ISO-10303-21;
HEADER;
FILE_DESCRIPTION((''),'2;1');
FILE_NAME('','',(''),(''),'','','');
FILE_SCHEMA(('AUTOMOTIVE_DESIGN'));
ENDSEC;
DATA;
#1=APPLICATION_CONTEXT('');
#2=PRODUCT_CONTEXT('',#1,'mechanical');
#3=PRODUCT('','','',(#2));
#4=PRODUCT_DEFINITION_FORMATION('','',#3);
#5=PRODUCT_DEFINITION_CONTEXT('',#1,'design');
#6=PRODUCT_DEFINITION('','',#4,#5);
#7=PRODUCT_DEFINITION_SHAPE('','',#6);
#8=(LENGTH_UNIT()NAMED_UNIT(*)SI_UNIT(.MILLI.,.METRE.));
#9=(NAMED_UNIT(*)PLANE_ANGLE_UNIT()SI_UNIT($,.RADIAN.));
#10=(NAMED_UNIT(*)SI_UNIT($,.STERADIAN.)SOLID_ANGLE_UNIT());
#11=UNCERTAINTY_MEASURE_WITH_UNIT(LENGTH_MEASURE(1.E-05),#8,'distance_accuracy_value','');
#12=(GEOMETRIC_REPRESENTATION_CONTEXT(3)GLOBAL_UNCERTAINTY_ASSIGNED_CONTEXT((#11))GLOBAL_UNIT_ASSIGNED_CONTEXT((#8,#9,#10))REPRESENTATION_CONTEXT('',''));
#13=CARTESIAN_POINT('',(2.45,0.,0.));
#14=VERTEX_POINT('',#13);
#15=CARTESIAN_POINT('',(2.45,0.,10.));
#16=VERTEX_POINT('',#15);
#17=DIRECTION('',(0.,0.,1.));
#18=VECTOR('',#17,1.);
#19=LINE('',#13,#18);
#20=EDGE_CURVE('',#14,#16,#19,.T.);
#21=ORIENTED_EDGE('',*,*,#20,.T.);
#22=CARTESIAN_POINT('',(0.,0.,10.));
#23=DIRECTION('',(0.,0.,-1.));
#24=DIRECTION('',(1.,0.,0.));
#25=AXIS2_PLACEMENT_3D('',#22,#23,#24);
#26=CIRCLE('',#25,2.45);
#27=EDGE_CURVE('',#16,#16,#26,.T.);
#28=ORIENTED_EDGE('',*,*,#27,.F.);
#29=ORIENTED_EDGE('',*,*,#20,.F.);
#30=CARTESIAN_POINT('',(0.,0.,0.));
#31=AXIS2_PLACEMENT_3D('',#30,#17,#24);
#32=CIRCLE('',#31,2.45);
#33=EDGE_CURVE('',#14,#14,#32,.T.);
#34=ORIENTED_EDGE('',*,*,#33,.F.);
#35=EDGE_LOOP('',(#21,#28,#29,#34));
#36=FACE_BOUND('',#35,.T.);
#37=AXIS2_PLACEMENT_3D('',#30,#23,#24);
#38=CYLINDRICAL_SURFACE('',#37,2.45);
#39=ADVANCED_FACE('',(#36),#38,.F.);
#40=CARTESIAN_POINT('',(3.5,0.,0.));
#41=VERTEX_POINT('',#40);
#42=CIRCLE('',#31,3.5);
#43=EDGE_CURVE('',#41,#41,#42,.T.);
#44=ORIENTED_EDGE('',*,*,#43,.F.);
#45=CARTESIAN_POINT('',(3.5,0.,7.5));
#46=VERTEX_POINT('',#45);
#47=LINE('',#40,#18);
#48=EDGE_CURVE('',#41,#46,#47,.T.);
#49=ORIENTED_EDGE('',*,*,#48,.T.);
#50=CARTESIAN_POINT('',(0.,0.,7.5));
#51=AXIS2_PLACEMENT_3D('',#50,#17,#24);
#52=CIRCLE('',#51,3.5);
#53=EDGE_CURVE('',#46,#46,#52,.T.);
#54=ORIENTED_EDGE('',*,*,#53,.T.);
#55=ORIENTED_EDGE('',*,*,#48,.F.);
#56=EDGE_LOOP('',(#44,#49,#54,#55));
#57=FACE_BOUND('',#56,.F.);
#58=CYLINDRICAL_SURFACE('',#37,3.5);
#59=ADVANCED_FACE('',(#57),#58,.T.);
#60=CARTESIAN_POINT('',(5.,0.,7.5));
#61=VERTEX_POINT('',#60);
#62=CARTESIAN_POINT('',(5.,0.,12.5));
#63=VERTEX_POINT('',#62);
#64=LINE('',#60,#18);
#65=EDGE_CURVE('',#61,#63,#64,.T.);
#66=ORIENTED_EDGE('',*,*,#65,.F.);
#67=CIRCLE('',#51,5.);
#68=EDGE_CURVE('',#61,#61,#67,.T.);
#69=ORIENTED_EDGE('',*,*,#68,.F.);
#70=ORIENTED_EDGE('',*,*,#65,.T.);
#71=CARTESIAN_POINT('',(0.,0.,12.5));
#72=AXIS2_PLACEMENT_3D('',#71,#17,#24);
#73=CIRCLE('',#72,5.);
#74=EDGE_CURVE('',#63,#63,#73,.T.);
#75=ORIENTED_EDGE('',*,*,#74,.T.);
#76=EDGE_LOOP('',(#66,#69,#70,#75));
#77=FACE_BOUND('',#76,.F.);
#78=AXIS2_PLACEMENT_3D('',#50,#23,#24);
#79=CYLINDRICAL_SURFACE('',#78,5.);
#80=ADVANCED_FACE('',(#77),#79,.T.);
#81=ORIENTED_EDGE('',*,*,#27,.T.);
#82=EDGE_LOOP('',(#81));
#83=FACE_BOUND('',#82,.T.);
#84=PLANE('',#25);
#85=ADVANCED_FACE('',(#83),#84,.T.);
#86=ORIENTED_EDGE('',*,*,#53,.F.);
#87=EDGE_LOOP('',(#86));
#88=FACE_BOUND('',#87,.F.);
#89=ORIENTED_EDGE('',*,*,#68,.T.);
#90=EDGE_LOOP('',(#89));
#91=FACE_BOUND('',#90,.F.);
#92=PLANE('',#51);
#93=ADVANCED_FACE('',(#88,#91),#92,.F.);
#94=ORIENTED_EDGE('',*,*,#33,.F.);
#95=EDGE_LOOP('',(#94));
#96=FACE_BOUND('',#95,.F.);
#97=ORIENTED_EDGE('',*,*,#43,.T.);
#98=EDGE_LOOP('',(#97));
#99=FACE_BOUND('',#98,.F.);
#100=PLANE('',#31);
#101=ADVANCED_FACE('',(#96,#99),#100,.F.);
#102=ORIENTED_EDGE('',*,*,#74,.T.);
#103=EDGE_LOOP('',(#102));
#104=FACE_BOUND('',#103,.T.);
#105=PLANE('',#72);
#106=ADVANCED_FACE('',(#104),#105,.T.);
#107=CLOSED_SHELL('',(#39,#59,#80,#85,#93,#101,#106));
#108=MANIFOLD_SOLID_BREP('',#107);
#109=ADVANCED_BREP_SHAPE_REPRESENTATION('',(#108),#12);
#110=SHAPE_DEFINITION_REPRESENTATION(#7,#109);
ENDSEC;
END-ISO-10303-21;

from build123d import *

# Parameters (mm, degrees)
F0_R     = 3.5
F0_R_2   = 2.45
F1_DEPTH = 7.5
F2_R     = 5
F3_DEPTH = 5
F4_R     = 2.45
F5_DEPTH = 2.5


with BuildPart() as f1:
    # F0 (on Top) → F1 (new body)
    with BuildSketch(Plane.XY):
        Circle(F0_R)
        Circle(F0_R_2, mode=Mode.SUBTRACT)
    extrude(amount=F1_DEPTH)

    # F2 (on face) → F3 (join)
    with BuildSketch(Plane.XY.offset(7.5)):
        Circle(F2_R)
    extrude(amount=F3_DEPTH)

    # F4 (on face) → F5 (cut)
    with BuildSketch(Plane(origin=(0, 0, 7.5), x_dir=(1, 0, 0), z_dir=(0, 0, -1))):
        Circle(F4_R)
    extrude(amount=-F5_DEPTH, mode=Mode.SUBTRACT)


solid = f1.part
